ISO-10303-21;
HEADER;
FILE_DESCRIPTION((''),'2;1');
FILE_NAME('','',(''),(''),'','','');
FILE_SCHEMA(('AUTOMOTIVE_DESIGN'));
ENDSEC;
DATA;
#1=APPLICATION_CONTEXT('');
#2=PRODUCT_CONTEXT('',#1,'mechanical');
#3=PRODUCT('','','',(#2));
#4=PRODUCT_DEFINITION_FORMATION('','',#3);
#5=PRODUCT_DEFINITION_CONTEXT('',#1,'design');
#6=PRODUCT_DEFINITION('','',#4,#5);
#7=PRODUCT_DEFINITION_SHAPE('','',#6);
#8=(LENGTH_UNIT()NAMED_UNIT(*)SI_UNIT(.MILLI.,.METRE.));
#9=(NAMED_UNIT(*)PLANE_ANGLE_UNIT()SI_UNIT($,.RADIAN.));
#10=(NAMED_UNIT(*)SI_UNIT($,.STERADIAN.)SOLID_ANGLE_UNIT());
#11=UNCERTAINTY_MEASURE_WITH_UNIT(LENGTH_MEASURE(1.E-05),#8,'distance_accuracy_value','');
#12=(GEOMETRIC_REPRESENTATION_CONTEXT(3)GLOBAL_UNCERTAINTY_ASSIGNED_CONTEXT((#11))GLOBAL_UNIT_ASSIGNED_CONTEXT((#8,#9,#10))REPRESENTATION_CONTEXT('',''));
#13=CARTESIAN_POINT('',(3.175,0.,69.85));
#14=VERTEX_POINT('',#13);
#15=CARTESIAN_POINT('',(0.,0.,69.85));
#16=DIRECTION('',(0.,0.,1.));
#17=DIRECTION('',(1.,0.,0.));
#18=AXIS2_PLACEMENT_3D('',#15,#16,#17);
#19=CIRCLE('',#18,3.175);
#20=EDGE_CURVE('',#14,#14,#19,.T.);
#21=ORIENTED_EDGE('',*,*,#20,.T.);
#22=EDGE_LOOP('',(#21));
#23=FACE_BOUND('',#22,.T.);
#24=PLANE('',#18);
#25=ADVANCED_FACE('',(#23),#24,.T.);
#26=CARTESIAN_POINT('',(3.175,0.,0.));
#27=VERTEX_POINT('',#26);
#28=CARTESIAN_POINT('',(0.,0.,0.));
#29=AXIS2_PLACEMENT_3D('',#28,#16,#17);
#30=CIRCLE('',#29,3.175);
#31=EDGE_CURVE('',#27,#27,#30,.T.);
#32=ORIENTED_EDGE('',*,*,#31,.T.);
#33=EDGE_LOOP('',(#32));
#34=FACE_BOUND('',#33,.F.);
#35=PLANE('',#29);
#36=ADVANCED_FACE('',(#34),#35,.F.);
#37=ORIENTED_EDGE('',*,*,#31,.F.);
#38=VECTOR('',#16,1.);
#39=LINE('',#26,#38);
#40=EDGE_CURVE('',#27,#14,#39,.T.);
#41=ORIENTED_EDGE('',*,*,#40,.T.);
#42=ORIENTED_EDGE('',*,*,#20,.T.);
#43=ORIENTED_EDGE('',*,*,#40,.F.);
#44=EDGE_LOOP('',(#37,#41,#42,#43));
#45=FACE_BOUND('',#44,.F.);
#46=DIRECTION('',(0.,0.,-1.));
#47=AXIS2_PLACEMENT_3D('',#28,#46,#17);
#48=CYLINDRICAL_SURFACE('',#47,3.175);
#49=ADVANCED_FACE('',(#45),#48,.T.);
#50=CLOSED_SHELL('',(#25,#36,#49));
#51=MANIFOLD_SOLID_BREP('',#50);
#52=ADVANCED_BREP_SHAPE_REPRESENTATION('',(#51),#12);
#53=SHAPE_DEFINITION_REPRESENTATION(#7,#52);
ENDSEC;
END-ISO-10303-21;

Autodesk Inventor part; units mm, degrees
ref_plane "YZ Plane" through (0, 0, 0) normal (1, 0, 0) x (0, 1, 0)
ref_plane "XZ Plane" through (0, 0, 0) normal (0, 1, 0) x (-1, 0, 0)
ref_plane "XY Plane" through (0, 0, 0) normal (0, 0, 1) x (1, 0, 0)
sketch "Sketch1" plane through (0, 0, 0) normal (0, 0, 1) x (1, 0, 0)
  circle A0 centre (0, 0) radius 3.175
  dimension "d0" = 6.35
extrude "Extrusion1" add sketch "Sketch1" along normal blind 69.85
properties part number "custom .25 in axel"
